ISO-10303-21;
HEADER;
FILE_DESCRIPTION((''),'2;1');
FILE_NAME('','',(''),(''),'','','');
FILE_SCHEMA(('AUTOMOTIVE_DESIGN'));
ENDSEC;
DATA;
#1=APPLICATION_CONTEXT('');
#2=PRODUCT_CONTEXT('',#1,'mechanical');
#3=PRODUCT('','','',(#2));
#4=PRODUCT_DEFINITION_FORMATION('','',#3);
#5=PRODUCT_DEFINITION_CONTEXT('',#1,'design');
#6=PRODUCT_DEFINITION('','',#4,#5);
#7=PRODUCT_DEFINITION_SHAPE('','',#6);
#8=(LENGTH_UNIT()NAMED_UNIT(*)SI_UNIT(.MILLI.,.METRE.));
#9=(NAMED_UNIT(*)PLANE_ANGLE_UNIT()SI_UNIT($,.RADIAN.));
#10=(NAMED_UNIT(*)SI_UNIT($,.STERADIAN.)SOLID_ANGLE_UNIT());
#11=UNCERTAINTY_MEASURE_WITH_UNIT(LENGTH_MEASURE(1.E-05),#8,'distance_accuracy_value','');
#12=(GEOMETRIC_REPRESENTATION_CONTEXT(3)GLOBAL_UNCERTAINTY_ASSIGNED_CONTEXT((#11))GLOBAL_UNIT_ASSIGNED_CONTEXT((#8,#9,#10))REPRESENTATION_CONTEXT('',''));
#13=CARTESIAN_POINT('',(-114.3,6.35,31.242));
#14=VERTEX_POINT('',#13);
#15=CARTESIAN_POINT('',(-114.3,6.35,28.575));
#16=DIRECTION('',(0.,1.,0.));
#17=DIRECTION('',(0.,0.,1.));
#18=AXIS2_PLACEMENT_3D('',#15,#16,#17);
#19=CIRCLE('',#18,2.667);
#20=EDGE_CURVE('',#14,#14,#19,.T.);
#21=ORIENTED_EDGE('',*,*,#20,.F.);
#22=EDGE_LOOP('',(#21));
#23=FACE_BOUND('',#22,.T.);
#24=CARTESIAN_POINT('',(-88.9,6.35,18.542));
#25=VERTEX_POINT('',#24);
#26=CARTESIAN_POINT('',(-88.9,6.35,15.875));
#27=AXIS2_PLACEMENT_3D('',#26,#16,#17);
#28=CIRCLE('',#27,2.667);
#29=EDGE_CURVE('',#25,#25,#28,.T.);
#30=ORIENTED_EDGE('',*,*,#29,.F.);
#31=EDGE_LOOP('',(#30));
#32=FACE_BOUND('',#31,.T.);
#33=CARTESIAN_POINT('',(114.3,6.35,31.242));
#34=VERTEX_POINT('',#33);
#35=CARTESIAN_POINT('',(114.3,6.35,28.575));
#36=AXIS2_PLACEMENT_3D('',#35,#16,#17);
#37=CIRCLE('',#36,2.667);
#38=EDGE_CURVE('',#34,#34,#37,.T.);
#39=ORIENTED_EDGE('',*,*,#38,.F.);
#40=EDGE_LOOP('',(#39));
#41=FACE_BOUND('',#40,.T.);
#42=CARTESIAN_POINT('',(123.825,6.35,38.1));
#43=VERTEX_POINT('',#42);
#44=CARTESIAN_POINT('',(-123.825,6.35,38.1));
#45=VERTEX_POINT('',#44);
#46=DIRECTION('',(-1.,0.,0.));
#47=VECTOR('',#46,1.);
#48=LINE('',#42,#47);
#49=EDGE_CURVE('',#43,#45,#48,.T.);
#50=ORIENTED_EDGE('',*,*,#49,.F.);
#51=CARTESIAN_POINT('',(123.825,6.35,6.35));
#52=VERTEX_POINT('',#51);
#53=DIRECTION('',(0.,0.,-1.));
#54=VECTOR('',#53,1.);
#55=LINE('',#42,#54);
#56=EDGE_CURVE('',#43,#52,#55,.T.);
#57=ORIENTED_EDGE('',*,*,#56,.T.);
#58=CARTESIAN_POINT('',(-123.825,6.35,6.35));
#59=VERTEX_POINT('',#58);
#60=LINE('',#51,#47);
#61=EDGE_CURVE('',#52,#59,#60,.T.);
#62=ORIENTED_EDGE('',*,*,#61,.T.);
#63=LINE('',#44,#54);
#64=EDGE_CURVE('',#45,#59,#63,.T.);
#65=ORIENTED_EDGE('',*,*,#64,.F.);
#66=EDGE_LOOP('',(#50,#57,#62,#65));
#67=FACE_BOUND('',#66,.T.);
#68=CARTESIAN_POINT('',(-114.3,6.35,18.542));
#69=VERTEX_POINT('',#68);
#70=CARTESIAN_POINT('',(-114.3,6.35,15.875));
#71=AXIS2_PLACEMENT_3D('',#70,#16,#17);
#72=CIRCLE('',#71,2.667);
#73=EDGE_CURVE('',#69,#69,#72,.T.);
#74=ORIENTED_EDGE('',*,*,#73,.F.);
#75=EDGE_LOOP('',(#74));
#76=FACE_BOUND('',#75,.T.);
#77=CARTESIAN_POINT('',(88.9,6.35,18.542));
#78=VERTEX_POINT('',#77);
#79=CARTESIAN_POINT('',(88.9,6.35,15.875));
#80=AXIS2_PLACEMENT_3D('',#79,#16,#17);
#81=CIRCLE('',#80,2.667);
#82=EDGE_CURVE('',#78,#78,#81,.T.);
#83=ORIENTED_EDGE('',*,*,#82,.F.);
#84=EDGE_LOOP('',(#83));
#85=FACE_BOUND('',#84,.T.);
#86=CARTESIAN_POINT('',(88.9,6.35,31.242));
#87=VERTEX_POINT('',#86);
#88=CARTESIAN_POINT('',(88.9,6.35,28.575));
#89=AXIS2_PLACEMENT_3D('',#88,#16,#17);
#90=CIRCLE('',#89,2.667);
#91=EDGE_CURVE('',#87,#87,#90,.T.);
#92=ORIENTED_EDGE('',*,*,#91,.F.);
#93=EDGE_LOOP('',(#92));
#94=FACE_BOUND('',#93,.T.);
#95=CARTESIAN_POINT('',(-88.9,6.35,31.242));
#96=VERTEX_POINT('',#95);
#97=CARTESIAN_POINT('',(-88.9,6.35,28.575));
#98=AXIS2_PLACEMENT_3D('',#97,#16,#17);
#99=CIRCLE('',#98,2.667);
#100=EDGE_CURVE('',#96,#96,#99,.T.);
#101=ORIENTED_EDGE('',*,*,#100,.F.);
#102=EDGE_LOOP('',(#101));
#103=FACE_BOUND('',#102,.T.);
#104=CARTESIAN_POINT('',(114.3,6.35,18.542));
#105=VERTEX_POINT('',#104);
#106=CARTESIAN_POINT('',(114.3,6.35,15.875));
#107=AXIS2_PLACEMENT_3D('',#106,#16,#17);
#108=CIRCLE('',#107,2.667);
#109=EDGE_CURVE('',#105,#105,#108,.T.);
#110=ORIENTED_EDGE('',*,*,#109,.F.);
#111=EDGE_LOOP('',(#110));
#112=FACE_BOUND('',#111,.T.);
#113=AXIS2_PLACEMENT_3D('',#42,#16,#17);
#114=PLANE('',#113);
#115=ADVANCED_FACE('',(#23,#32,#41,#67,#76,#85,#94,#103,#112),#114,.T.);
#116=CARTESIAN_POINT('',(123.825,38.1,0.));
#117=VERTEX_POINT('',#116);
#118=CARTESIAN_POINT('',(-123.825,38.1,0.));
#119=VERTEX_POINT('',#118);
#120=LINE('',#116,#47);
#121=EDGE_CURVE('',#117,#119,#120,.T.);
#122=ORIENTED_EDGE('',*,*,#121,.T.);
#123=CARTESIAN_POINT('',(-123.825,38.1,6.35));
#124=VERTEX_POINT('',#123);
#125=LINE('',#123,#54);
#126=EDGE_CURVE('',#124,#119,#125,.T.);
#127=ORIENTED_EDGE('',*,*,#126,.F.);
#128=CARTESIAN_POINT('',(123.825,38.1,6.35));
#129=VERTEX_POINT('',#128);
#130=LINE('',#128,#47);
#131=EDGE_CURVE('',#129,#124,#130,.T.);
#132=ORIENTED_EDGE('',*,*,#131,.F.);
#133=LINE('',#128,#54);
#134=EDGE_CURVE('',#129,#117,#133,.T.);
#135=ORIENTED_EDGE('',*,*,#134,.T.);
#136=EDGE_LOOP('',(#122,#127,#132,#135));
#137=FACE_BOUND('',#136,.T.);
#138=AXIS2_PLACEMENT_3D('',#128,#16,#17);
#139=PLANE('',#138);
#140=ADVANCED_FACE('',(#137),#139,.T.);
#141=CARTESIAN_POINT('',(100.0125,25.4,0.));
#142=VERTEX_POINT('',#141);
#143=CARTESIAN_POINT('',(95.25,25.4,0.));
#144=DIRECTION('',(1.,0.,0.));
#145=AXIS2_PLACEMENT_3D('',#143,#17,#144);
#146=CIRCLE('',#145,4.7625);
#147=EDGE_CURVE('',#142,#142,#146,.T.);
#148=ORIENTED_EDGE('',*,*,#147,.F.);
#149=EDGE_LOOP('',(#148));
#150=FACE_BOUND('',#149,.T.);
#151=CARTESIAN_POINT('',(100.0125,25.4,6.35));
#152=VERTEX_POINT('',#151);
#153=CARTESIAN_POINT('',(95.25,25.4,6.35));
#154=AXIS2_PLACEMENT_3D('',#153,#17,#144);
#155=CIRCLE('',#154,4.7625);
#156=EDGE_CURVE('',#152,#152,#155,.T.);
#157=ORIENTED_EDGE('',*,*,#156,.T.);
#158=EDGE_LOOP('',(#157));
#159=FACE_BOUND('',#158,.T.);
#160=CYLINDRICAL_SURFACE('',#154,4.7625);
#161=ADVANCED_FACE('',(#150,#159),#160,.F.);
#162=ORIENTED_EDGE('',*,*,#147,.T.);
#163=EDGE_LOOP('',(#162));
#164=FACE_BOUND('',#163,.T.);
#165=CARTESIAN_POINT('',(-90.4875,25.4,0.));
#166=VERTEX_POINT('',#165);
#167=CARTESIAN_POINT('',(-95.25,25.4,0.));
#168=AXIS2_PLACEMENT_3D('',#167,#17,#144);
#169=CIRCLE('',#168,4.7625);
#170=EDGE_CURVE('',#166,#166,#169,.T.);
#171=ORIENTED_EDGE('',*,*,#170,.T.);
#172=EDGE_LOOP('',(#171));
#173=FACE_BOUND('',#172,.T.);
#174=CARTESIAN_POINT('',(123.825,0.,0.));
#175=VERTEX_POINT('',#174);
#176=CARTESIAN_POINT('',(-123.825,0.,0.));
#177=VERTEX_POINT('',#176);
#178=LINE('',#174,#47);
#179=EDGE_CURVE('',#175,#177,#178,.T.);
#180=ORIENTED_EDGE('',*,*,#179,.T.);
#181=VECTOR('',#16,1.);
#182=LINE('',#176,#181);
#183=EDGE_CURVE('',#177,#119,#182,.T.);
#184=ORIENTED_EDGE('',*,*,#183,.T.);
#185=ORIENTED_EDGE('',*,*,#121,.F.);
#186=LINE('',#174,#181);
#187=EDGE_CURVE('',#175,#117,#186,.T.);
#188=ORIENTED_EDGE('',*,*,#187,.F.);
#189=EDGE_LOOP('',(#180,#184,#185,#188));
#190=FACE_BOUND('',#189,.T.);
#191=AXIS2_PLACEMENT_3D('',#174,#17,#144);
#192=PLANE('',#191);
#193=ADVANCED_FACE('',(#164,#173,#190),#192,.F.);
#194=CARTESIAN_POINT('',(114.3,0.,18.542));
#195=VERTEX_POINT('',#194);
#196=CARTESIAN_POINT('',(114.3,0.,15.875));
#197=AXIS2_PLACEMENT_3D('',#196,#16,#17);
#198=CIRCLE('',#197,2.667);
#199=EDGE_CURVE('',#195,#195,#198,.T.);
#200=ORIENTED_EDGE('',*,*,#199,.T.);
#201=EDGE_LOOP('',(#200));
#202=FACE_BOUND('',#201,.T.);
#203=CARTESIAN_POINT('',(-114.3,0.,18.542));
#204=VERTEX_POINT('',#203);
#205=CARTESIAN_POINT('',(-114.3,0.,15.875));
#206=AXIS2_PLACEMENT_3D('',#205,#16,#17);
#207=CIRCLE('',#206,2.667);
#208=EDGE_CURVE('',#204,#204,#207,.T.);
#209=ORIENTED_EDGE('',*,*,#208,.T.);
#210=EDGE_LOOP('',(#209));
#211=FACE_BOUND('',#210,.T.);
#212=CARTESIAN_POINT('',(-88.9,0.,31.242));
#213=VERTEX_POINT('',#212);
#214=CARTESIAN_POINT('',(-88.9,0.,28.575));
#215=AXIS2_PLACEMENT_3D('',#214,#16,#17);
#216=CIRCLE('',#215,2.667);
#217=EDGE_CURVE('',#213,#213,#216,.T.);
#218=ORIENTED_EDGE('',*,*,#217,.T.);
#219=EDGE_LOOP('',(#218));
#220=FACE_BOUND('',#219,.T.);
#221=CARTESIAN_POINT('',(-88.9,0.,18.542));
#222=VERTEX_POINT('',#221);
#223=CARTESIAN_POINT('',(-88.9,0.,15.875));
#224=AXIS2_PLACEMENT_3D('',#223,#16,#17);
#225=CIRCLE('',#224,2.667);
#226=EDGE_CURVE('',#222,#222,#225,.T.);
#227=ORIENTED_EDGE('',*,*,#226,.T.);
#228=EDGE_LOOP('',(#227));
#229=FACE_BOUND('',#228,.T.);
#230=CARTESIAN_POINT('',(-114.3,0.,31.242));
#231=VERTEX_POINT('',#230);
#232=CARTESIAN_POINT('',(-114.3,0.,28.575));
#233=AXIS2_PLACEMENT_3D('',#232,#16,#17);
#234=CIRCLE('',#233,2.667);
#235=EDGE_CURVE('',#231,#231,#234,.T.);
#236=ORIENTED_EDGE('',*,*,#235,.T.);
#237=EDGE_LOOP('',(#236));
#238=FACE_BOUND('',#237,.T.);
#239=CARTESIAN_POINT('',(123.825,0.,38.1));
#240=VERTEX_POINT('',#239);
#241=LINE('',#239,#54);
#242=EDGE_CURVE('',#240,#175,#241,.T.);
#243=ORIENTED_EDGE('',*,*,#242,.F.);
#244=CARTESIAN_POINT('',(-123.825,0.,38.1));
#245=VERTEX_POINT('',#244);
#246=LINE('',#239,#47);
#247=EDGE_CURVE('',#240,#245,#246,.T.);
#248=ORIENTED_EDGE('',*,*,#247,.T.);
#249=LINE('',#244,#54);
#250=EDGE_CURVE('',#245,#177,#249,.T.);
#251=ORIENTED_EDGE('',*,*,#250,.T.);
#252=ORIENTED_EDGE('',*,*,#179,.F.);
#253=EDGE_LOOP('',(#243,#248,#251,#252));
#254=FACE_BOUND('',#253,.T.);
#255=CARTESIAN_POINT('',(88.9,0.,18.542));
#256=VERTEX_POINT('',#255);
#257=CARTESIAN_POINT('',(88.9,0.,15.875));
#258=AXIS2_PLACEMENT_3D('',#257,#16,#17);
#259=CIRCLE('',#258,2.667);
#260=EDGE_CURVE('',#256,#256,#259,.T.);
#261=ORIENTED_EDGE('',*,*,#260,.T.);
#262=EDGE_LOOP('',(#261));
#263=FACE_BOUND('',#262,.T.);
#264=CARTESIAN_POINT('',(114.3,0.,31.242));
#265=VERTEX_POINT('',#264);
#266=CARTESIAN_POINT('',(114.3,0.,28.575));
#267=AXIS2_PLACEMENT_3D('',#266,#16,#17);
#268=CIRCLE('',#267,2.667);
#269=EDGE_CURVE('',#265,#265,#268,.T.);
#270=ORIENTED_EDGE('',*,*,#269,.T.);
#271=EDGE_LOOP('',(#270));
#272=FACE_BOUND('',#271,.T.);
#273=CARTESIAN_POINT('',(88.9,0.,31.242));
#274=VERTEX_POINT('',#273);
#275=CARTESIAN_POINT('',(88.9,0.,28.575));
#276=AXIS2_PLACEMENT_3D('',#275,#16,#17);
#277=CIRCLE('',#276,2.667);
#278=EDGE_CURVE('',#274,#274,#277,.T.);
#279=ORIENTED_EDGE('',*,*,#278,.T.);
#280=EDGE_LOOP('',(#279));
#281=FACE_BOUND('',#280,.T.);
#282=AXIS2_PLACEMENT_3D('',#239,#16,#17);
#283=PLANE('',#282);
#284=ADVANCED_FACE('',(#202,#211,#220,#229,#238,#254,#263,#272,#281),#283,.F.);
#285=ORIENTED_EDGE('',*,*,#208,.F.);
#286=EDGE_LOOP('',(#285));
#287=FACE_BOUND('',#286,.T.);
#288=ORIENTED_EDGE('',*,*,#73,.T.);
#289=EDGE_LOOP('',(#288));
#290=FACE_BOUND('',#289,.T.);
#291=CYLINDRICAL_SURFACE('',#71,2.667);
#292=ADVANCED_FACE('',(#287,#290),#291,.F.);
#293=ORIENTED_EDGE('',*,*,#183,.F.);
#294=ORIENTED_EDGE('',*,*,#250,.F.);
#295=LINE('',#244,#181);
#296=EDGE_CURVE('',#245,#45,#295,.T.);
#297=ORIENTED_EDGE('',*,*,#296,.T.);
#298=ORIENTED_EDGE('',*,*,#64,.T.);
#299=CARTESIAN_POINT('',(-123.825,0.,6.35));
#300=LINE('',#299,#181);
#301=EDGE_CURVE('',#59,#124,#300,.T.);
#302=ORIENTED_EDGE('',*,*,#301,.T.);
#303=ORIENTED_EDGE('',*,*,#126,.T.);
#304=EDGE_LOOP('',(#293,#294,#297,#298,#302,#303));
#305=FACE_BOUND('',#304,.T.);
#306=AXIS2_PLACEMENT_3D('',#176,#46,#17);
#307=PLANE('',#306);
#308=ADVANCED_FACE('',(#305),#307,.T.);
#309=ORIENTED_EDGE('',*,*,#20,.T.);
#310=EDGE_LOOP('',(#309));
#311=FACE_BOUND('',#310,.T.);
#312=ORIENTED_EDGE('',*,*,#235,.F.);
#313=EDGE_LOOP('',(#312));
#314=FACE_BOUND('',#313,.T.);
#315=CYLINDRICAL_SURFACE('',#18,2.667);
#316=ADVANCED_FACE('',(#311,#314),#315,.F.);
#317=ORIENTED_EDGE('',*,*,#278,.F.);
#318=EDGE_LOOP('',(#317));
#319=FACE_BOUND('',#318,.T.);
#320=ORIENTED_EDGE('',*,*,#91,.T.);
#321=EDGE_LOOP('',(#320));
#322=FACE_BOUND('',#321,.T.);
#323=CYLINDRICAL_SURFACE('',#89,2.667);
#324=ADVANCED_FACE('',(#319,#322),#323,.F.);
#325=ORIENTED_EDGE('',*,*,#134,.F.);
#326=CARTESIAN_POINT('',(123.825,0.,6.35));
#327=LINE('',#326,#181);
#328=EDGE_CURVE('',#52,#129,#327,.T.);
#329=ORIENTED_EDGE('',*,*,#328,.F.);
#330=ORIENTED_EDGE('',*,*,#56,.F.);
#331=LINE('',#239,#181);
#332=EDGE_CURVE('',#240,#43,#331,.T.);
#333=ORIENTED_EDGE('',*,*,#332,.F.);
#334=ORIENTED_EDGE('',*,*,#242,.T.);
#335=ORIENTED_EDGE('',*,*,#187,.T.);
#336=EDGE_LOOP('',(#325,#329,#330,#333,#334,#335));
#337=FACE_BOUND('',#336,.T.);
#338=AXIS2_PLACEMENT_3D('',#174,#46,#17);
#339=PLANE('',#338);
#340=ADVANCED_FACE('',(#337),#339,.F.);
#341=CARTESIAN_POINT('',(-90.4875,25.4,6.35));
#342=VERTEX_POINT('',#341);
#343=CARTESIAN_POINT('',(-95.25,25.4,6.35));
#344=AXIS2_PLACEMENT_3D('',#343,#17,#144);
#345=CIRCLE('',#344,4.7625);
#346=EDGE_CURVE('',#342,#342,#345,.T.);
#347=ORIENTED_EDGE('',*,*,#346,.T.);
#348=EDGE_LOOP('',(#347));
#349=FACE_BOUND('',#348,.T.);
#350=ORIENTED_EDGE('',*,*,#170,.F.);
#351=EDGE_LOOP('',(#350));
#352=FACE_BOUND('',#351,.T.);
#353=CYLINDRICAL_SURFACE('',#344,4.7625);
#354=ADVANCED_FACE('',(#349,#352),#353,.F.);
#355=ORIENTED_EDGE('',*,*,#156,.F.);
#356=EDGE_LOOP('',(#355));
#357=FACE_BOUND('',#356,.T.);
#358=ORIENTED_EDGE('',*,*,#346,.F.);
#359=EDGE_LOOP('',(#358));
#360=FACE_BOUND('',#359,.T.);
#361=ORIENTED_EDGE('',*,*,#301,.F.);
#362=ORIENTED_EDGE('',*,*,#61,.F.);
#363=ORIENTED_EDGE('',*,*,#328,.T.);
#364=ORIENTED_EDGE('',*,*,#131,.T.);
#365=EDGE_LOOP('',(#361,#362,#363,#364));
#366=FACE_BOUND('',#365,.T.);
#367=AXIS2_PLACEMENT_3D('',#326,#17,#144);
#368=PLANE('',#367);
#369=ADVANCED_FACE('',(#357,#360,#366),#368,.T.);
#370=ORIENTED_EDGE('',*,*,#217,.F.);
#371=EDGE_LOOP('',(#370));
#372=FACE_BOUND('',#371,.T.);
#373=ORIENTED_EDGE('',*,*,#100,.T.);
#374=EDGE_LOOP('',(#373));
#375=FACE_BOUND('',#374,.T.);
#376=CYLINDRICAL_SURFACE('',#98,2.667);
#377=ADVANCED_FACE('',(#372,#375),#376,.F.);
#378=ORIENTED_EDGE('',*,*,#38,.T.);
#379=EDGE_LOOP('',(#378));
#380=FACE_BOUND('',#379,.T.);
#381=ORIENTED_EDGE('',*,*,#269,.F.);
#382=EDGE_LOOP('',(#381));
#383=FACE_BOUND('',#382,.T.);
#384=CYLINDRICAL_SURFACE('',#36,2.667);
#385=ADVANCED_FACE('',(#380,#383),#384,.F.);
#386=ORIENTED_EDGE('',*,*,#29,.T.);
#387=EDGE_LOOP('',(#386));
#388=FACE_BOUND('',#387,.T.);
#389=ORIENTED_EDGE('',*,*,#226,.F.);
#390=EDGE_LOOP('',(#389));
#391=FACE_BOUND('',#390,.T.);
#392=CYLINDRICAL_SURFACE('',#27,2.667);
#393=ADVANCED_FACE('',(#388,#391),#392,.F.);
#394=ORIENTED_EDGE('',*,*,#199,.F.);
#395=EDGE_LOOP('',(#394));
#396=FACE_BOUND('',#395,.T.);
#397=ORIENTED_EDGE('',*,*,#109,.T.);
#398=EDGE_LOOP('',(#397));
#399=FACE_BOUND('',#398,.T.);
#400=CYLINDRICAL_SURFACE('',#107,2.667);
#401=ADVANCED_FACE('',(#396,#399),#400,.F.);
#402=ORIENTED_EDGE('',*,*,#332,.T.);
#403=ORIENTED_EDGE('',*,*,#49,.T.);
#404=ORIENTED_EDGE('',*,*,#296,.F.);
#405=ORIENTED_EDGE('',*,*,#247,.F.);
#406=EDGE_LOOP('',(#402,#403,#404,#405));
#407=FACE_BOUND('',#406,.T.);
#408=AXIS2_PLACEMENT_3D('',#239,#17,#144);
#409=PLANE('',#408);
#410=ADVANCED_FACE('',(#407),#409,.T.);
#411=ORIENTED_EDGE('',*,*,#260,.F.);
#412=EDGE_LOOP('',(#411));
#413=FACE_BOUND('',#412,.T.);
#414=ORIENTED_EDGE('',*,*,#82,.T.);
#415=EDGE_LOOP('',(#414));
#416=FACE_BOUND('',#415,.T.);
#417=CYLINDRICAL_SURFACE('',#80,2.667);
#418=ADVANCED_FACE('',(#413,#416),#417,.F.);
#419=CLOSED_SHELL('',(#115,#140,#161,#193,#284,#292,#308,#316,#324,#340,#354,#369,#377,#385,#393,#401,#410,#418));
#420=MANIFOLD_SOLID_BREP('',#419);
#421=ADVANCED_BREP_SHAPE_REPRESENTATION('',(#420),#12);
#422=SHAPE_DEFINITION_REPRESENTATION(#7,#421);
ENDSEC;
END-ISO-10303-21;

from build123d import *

# Parameters (mm, degrees)
EXTRUDE_THIN1_DEPTH          = 123.825
F_10_CLEARANCE_HOLE1_D       = 5.334
F_3_8_0_375_DIAMETER_HOLE1_D = 9.525


with BuildPart() as part:
    # Sketch1 → Extrude-Thin1 (new, symmetric)
    with BuildSketch(Plane(origin=(0, 0, 0), x_dir=(0, 0, -1), z_dir=(1, 0, 0))):
        Polygon((-38.1, 0), (0, 0), (0, 38.1), (-6.35, 38.1), (-6.35, 6.35), (-38.1, 6.35), align=None)
    extrude(amount=EXTRUDE_THIN1_DEPTH, both=True)

    # #10 Clearance Hole1 (through all)
    with Locations(Plane(origin=(0, 6.35, 0), x_dir=(1, 0, 0), z_dir=(0, 1, 0))):
        with Locations((-114.3, -15.875), (-114.3, -28.575), (-88.9, -28.575), (-88.9, -15.875), (88.9, -15.875), (88.9, -28.575), (114.3, -28.575), (114.3, -15.875)):
            Hole(F_10_CLEARANCE_HOLE1_D / 2)

    # 3/8 (0.375) Diameter Hole1 (through all)
    with Locations(Plane.XY.offset(6.35)):
        with Locations((-95.25, 25.4), (95.25, 25.4)):
            Hole(F_3_8_0_375_DIAMETER_HOLE1_D / 2)


solid = part.part
